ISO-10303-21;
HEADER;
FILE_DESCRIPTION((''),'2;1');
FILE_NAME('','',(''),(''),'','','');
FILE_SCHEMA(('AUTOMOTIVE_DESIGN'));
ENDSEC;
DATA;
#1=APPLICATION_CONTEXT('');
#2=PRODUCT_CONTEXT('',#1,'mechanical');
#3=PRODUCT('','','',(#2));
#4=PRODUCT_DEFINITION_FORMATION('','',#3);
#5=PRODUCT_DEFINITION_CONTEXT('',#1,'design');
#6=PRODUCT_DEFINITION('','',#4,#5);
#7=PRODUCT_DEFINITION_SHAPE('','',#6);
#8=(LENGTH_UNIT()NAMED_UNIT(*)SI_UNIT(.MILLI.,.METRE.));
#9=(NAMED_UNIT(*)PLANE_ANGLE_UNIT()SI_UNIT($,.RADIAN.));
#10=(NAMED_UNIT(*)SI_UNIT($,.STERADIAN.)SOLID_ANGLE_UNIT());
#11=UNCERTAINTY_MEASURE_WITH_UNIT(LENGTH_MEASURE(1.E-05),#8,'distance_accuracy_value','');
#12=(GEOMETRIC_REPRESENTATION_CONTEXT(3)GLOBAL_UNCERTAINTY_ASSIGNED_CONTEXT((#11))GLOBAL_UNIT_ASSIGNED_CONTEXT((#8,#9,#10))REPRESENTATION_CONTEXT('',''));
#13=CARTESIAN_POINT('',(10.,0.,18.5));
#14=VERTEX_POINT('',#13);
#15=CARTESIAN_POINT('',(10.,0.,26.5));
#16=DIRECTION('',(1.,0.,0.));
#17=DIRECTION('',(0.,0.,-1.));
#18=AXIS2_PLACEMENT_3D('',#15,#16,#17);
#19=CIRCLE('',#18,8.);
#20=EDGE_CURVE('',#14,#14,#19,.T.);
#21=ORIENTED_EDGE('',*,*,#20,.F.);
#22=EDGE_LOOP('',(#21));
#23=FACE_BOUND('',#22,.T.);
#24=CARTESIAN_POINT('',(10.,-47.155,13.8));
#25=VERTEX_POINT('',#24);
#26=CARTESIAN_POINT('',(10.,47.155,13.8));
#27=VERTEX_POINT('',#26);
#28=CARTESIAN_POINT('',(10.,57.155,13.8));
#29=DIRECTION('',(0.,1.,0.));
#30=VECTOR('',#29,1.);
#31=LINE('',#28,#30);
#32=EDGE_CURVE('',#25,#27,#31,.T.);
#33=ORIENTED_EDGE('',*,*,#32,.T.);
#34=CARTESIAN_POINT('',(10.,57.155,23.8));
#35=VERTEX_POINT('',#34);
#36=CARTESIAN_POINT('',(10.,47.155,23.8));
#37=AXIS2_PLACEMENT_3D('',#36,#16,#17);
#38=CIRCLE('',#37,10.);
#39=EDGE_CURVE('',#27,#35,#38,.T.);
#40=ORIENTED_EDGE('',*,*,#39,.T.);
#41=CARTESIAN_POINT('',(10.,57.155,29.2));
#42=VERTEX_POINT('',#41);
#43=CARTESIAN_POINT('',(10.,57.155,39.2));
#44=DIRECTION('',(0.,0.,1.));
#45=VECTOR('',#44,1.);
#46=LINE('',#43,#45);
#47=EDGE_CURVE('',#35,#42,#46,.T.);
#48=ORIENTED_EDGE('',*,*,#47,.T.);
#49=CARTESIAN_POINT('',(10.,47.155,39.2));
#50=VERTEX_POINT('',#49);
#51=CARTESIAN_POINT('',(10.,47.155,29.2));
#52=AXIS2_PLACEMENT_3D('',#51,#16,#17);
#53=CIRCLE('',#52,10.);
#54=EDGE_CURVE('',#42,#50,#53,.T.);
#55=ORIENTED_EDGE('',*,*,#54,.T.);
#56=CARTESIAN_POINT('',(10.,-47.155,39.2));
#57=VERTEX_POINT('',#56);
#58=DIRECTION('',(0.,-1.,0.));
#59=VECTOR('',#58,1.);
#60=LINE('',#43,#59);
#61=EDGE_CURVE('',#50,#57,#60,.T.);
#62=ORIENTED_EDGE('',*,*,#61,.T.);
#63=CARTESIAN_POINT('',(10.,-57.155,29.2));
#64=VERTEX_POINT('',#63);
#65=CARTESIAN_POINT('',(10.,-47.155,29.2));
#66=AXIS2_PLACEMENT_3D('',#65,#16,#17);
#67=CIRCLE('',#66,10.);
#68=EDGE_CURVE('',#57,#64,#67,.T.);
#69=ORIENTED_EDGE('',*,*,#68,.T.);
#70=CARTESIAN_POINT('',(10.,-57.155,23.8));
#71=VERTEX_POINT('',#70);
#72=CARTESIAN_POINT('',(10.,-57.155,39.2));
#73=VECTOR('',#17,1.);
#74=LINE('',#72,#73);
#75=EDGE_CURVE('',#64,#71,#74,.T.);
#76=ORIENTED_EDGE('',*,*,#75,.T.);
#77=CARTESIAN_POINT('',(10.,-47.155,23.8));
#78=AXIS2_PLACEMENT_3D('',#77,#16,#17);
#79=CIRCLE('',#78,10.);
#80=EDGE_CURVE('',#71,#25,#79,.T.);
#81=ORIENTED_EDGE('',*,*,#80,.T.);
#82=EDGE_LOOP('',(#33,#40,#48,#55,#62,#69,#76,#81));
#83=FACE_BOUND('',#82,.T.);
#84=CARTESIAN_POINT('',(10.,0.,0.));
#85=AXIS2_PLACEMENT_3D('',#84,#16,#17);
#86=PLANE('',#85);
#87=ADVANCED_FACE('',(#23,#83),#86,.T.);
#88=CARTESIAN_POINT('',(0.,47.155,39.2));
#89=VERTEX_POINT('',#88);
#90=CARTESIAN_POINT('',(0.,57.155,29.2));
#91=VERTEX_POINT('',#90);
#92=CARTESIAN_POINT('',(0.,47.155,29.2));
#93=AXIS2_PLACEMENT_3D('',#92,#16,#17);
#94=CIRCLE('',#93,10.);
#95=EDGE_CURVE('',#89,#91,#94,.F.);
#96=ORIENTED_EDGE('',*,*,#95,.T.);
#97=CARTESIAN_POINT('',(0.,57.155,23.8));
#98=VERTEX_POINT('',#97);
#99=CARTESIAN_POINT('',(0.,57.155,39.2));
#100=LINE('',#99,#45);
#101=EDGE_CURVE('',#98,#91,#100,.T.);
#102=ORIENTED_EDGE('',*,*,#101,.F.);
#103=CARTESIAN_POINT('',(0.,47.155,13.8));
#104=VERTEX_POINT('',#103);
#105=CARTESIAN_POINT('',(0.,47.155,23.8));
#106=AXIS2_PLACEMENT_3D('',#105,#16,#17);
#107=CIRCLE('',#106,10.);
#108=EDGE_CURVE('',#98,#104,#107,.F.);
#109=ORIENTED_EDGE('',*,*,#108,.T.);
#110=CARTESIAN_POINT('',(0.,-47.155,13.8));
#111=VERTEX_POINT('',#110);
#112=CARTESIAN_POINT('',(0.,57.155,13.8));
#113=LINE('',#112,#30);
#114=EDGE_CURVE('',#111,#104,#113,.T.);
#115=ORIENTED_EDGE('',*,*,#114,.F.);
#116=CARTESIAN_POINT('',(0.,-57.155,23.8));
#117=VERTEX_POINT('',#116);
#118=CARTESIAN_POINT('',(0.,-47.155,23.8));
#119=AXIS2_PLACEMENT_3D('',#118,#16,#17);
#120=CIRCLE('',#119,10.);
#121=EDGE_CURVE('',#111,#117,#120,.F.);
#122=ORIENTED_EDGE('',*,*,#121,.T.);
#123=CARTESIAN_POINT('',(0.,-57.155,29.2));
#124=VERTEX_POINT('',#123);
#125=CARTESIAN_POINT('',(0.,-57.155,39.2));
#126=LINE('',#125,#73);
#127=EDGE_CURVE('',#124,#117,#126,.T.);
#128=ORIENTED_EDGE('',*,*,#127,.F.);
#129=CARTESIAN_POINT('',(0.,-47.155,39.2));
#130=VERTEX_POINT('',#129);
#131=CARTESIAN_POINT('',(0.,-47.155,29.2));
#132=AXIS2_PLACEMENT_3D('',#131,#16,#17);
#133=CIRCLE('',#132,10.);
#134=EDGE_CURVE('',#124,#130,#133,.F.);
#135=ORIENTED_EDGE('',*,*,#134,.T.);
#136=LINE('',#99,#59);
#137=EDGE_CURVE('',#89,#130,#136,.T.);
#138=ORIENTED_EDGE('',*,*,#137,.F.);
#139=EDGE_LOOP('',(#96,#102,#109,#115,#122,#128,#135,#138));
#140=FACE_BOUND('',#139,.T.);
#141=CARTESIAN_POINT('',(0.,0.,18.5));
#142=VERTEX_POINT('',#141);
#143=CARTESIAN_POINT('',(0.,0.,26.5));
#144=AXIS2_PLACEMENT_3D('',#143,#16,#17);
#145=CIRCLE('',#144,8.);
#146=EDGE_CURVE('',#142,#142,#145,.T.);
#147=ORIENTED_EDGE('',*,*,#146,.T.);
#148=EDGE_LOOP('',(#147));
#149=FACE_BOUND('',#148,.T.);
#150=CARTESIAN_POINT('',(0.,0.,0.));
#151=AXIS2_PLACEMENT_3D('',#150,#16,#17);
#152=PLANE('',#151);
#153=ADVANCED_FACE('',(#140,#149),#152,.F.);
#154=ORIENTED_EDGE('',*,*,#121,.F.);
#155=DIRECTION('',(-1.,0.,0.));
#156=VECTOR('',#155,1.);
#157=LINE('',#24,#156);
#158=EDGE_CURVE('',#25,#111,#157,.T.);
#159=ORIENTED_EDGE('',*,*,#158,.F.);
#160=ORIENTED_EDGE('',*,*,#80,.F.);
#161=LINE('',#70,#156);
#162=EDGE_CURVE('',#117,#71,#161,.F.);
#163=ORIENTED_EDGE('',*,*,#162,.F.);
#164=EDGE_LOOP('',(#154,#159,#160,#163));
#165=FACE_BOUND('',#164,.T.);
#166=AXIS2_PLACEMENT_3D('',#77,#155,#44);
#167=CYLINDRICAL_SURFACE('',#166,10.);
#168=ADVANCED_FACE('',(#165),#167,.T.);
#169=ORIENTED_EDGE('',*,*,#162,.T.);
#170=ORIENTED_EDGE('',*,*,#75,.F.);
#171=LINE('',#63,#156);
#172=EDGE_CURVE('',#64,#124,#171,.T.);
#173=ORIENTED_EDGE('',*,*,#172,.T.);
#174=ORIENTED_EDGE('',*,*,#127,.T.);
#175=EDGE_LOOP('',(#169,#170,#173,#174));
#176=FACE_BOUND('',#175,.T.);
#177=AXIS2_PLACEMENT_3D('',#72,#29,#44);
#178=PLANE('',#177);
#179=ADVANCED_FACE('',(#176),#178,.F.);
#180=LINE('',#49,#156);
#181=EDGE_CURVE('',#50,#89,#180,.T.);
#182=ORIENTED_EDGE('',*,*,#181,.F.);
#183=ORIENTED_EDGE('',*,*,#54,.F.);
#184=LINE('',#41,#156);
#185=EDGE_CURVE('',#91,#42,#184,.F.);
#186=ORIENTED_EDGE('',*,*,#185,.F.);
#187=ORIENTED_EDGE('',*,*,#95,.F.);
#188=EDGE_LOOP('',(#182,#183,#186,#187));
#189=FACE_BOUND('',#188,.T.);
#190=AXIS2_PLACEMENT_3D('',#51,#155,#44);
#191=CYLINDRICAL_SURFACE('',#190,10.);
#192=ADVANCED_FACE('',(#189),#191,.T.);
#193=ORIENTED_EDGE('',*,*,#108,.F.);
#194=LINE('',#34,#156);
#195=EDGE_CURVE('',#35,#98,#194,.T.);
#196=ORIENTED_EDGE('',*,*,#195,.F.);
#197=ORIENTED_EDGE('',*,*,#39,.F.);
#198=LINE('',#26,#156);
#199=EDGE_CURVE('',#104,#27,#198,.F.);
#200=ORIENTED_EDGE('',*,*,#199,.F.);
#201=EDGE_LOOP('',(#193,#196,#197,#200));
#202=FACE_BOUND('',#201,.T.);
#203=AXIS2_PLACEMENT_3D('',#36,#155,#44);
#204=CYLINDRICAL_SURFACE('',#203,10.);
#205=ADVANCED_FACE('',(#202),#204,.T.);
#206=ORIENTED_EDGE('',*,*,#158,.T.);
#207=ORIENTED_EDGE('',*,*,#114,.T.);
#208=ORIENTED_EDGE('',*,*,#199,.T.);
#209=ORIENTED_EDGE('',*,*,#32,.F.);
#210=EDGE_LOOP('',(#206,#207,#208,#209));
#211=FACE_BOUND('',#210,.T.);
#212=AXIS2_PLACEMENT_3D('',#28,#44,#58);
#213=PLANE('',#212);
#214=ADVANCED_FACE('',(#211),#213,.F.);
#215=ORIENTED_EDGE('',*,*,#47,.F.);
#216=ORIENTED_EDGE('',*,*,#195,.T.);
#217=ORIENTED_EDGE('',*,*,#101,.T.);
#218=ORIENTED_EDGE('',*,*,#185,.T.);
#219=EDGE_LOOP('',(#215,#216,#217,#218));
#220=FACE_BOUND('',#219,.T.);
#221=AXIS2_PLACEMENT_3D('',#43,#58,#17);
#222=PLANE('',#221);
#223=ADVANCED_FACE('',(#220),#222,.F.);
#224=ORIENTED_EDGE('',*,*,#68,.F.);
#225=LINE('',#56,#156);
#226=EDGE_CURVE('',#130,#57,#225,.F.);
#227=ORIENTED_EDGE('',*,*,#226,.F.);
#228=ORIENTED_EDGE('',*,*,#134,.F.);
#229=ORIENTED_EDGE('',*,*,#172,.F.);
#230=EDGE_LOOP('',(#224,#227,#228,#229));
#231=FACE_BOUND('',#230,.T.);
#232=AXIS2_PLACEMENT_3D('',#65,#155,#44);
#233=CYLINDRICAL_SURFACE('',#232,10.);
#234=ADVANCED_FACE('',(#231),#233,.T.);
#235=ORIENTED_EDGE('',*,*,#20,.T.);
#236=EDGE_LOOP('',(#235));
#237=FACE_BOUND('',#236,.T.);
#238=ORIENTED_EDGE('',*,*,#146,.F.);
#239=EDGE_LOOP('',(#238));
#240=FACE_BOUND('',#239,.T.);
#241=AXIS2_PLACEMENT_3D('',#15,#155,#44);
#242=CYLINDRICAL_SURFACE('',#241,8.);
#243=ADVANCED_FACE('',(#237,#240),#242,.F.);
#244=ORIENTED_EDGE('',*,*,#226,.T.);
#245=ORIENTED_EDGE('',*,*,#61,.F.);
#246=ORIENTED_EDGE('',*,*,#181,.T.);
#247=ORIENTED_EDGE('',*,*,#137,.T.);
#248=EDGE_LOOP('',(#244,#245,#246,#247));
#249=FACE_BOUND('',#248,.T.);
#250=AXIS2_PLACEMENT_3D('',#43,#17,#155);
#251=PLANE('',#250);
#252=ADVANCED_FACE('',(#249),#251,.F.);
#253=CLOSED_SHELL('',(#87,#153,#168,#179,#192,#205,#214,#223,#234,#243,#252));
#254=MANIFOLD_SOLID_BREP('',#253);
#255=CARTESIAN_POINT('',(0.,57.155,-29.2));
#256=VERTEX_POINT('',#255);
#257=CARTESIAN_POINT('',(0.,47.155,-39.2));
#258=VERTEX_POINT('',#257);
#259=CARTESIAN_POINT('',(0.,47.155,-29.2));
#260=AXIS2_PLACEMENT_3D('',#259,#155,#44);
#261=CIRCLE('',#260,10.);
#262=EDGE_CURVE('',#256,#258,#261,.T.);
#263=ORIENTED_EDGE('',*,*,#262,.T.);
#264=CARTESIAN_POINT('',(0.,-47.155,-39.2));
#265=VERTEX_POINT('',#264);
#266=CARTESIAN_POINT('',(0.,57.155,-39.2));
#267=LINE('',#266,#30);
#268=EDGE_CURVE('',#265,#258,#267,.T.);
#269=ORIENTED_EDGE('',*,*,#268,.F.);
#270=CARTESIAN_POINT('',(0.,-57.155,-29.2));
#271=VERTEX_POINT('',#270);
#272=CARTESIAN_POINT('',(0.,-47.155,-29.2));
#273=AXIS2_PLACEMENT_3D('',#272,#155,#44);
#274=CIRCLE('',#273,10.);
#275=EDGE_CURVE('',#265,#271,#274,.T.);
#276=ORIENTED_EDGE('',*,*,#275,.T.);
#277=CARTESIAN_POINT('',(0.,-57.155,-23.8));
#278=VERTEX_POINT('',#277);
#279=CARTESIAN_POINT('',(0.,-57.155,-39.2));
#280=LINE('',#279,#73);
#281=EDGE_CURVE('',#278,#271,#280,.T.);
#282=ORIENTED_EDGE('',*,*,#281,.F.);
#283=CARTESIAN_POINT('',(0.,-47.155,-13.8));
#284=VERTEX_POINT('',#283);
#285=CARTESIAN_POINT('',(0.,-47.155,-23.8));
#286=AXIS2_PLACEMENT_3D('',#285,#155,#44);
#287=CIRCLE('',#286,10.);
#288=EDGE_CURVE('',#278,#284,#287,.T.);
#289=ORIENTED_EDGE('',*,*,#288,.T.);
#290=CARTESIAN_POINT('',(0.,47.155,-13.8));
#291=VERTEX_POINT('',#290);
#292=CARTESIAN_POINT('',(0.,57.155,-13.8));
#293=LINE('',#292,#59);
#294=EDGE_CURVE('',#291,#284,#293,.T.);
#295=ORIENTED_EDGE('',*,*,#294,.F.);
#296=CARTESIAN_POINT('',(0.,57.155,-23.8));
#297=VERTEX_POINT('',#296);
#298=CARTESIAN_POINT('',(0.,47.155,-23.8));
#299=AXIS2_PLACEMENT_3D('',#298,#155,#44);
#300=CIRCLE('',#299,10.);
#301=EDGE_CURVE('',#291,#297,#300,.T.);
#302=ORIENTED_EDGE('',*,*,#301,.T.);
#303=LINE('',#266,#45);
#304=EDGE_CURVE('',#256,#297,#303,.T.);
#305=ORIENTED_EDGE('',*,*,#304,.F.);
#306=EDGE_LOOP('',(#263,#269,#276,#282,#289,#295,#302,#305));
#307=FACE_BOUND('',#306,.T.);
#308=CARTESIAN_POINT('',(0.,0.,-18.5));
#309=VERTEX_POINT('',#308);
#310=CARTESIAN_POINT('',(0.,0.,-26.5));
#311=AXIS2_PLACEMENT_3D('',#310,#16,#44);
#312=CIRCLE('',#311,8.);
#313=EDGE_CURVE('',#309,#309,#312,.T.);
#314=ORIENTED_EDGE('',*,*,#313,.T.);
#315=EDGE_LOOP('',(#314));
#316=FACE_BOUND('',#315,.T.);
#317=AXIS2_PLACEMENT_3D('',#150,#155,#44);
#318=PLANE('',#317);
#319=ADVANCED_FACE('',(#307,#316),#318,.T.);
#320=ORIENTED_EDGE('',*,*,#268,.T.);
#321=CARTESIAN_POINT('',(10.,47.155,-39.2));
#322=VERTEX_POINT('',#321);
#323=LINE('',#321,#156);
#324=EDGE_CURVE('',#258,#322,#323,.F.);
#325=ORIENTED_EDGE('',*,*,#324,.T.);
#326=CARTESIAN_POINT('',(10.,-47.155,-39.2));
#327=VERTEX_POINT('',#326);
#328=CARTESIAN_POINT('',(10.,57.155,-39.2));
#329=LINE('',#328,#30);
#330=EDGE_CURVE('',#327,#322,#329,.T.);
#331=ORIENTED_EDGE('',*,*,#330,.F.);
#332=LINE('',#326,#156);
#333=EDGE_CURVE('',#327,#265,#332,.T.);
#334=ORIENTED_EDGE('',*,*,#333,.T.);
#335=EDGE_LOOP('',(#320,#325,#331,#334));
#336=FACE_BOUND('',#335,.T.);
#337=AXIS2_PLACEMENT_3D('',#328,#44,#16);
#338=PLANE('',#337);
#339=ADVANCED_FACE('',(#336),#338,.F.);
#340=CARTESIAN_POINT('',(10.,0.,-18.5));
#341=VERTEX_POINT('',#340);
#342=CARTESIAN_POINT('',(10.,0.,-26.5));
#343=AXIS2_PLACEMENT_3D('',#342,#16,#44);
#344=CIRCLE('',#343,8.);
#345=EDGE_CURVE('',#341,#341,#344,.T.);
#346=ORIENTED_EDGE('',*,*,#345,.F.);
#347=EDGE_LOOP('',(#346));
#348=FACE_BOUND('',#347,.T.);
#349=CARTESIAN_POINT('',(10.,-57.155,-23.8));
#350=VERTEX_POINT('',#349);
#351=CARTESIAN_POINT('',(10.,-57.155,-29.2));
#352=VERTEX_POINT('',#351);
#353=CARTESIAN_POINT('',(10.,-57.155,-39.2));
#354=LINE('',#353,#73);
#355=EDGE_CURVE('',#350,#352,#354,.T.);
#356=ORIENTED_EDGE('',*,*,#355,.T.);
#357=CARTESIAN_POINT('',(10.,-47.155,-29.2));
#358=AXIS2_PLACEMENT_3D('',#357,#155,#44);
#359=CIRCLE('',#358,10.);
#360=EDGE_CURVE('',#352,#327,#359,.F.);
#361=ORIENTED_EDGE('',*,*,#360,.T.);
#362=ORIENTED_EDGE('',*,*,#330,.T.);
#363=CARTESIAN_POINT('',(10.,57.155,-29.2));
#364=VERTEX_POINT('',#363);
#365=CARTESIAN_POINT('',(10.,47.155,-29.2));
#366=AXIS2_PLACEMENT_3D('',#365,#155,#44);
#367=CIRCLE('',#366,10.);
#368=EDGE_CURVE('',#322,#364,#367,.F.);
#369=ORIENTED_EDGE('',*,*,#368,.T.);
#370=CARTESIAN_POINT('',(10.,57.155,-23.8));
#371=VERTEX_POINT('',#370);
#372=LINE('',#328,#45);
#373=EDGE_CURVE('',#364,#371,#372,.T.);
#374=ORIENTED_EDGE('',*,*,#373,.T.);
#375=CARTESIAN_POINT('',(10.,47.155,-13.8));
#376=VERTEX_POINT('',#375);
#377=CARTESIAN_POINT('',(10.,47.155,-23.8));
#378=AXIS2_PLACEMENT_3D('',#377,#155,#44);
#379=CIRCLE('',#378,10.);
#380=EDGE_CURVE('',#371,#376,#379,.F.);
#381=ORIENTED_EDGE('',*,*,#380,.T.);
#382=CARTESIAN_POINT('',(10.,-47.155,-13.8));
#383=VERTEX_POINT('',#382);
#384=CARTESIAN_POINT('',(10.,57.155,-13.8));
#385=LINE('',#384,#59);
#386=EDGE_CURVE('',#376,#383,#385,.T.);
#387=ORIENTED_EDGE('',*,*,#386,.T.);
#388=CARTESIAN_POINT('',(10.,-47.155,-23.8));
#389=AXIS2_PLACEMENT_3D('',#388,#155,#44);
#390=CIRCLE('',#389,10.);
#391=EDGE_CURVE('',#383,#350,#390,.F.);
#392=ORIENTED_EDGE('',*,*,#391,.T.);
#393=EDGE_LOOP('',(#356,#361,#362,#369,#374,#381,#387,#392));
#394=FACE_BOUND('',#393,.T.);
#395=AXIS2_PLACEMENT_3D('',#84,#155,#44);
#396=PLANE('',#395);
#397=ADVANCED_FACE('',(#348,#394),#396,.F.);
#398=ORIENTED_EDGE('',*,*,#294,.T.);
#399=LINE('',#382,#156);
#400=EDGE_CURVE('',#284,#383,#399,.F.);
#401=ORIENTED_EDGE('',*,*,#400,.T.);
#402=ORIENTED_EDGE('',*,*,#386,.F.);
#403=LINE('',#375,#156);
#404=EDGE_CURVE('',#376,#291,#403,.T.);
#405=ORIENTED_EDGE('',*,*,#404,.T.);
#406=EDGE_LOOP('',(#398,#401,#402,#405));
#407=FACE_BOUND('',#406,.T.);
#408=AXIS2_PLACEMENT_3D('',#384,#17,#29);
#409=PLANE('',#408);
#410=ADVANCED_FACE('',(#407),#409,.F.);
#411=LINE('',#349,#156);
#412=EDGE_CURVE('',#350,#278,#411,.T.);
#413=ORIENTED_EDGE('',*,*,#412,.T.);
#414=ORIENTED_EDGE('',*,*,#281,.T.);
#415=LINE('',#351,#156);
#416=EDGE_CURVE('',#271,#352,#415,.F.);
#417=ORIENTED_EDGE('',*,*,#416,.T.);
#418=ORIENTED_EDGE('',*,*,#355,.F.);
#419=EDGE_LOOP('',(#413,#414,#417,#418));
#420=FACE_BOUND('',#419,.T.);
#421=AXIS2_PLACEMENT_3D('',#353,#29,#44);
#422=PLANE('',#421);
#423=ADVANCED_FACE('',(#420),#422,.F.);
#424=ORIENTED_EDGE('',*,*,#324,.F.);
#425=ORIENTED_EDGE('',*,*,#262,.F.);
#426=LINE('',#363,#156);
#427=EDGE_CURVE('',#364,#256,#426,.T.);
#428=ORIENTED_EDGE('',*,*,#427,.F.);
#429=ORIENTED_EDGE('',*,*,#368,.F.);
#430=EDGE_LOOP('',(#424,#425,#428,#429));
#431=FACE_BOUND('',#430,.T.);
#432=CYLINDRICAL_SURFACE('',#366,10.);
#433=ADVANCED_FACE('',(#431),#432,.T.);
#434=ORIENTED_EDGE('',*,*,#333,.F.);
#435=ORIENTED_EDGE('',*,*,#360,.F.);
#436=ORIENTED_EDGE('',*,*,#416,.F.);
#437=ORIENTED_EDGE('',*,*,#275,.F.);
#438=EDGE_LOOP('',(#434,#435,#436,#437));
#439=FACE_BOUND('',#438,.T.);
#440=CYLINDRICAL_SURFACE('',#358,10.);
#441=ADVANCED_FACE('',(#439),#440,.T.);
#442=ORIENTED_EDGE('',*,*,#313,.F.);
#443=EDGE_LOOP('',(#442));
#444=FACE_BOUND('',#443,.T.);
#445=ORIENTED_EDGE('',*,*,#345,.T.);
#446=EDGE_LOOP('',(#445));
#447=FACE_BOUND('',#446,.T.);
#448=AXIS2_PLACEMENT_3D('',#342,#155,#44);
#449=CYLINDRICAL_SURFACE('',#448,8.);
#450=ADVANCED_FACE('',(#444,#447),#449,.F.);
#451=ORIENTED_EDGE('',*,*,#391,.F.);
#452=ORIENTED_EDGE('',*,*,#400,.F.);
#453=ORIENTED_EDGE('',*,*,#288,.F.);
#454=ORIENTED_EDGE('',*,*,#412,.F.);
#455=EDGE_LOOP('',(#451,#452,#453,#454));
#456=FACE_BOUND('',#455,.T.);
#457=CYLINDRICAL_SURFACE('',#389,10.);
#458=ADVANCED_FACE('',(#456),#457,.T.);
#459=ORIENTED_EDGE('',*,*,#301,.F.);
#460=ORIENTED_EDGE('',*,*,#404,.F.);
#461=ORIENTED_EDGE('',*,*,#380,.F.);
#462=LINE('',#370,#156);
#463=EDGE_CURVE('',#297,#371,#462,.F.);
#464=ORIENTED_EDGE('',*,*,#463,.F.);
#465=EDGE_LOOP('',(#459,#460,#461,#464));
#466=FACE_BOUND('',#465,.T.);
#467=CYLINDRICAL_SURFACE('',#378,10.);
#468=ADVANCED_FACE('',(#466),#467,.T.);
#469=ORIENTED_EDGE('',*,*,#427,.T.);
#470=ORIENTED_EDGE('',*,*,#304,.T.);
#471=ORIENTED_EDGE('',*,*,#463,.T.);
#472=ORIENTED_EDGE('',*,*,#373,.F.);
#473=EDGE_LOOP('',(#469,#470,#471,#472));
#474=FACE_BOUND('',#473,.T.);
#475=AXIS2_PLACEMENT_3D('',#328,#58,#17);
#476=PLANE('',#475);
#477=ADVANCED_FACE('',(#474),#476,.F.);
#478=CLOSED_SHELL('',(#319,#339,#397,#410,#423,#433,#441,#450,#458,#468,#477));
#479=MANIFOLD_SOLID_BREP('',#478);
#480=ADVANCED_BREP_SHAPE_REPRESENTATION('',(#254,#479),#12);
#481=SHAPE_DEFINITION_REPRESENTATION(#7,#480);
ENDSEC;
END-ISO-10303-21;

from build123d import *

# Parameters (mm, degrees)
CROQUIS1_W                = 25.4
CROQUIS1_H                = 114.31
CROQUIS1_R                = 8
SALIENTE_EXTRUIR2_DEPTH   = 10
SALIENTE_EXTRUIR2_2_DEPTH = 10
REDONDEO1_R               = 10
REDONDEO2_R               = 10


with BuildPart() as part:
    # Croquis1 → Saliente-Extruir2 (new body)
    with BuildSketch(Plane(origin=(0, 0, 0), x_dir=(0, 0, -1), z_dir=(1, 0, 0))):
        with Locations((-26.5, 0)):
            Rectangle(CROQUIS1_W, CROQUIS1_H)
        with Locations((-26.5, 0)):
            Circle(CROQUIS1_R, mode=Mode.SUBTRACT)
    extrude(amount=SALIENTE_EXTRUIR2_DEPTH)

    # Redondeo1
    redondeo1_edges = [part.edges().sort_by_distance(p)[0] for p in [
        (5, -57.155, 13.8),
        (5, -57.155, 39.2),
        (5, 57.155, 39.2),
        (5, 57.155, 13.8),
    ]]
    fillet(redondeo1_edges, radius=REDONDEO1_R)


with BuildPart() as body_2:
    # Croquis1 → Saliente-Extruir2 2 (new body)
    with BuildSketch(Plane(origin=(0, 0, 0), x_dir=(0, 0, -1), z_dir=(1, 0, 0))):
        with Locations((26.5, 0)):
            Rectangle(CROQUIS1_W, CROQUIS1_H)
        with Locations(Location((26.5, 0, 0), (0, 0, 180))):
            Circle(CROQUIS1_R, mode=Mode.SUBTRACT)
    extrude(amount=SALIENTE_EXTRUIR2_2_DEPTH)

    # Redondeo2
    redondeo2_edges = [body_2.edges().sort_by_distance(p)[0] for p in [
        (5, -57.155, -39.2),
        (5, -57.155, -13.8),
        (5, 57.155, -13.8),
        (5, 57.155, -39.2),
    ]]
    fillet(redondeo2_edges, radius=REDONDEO2_R)


solid = Compound([part.part, body_2.part])
